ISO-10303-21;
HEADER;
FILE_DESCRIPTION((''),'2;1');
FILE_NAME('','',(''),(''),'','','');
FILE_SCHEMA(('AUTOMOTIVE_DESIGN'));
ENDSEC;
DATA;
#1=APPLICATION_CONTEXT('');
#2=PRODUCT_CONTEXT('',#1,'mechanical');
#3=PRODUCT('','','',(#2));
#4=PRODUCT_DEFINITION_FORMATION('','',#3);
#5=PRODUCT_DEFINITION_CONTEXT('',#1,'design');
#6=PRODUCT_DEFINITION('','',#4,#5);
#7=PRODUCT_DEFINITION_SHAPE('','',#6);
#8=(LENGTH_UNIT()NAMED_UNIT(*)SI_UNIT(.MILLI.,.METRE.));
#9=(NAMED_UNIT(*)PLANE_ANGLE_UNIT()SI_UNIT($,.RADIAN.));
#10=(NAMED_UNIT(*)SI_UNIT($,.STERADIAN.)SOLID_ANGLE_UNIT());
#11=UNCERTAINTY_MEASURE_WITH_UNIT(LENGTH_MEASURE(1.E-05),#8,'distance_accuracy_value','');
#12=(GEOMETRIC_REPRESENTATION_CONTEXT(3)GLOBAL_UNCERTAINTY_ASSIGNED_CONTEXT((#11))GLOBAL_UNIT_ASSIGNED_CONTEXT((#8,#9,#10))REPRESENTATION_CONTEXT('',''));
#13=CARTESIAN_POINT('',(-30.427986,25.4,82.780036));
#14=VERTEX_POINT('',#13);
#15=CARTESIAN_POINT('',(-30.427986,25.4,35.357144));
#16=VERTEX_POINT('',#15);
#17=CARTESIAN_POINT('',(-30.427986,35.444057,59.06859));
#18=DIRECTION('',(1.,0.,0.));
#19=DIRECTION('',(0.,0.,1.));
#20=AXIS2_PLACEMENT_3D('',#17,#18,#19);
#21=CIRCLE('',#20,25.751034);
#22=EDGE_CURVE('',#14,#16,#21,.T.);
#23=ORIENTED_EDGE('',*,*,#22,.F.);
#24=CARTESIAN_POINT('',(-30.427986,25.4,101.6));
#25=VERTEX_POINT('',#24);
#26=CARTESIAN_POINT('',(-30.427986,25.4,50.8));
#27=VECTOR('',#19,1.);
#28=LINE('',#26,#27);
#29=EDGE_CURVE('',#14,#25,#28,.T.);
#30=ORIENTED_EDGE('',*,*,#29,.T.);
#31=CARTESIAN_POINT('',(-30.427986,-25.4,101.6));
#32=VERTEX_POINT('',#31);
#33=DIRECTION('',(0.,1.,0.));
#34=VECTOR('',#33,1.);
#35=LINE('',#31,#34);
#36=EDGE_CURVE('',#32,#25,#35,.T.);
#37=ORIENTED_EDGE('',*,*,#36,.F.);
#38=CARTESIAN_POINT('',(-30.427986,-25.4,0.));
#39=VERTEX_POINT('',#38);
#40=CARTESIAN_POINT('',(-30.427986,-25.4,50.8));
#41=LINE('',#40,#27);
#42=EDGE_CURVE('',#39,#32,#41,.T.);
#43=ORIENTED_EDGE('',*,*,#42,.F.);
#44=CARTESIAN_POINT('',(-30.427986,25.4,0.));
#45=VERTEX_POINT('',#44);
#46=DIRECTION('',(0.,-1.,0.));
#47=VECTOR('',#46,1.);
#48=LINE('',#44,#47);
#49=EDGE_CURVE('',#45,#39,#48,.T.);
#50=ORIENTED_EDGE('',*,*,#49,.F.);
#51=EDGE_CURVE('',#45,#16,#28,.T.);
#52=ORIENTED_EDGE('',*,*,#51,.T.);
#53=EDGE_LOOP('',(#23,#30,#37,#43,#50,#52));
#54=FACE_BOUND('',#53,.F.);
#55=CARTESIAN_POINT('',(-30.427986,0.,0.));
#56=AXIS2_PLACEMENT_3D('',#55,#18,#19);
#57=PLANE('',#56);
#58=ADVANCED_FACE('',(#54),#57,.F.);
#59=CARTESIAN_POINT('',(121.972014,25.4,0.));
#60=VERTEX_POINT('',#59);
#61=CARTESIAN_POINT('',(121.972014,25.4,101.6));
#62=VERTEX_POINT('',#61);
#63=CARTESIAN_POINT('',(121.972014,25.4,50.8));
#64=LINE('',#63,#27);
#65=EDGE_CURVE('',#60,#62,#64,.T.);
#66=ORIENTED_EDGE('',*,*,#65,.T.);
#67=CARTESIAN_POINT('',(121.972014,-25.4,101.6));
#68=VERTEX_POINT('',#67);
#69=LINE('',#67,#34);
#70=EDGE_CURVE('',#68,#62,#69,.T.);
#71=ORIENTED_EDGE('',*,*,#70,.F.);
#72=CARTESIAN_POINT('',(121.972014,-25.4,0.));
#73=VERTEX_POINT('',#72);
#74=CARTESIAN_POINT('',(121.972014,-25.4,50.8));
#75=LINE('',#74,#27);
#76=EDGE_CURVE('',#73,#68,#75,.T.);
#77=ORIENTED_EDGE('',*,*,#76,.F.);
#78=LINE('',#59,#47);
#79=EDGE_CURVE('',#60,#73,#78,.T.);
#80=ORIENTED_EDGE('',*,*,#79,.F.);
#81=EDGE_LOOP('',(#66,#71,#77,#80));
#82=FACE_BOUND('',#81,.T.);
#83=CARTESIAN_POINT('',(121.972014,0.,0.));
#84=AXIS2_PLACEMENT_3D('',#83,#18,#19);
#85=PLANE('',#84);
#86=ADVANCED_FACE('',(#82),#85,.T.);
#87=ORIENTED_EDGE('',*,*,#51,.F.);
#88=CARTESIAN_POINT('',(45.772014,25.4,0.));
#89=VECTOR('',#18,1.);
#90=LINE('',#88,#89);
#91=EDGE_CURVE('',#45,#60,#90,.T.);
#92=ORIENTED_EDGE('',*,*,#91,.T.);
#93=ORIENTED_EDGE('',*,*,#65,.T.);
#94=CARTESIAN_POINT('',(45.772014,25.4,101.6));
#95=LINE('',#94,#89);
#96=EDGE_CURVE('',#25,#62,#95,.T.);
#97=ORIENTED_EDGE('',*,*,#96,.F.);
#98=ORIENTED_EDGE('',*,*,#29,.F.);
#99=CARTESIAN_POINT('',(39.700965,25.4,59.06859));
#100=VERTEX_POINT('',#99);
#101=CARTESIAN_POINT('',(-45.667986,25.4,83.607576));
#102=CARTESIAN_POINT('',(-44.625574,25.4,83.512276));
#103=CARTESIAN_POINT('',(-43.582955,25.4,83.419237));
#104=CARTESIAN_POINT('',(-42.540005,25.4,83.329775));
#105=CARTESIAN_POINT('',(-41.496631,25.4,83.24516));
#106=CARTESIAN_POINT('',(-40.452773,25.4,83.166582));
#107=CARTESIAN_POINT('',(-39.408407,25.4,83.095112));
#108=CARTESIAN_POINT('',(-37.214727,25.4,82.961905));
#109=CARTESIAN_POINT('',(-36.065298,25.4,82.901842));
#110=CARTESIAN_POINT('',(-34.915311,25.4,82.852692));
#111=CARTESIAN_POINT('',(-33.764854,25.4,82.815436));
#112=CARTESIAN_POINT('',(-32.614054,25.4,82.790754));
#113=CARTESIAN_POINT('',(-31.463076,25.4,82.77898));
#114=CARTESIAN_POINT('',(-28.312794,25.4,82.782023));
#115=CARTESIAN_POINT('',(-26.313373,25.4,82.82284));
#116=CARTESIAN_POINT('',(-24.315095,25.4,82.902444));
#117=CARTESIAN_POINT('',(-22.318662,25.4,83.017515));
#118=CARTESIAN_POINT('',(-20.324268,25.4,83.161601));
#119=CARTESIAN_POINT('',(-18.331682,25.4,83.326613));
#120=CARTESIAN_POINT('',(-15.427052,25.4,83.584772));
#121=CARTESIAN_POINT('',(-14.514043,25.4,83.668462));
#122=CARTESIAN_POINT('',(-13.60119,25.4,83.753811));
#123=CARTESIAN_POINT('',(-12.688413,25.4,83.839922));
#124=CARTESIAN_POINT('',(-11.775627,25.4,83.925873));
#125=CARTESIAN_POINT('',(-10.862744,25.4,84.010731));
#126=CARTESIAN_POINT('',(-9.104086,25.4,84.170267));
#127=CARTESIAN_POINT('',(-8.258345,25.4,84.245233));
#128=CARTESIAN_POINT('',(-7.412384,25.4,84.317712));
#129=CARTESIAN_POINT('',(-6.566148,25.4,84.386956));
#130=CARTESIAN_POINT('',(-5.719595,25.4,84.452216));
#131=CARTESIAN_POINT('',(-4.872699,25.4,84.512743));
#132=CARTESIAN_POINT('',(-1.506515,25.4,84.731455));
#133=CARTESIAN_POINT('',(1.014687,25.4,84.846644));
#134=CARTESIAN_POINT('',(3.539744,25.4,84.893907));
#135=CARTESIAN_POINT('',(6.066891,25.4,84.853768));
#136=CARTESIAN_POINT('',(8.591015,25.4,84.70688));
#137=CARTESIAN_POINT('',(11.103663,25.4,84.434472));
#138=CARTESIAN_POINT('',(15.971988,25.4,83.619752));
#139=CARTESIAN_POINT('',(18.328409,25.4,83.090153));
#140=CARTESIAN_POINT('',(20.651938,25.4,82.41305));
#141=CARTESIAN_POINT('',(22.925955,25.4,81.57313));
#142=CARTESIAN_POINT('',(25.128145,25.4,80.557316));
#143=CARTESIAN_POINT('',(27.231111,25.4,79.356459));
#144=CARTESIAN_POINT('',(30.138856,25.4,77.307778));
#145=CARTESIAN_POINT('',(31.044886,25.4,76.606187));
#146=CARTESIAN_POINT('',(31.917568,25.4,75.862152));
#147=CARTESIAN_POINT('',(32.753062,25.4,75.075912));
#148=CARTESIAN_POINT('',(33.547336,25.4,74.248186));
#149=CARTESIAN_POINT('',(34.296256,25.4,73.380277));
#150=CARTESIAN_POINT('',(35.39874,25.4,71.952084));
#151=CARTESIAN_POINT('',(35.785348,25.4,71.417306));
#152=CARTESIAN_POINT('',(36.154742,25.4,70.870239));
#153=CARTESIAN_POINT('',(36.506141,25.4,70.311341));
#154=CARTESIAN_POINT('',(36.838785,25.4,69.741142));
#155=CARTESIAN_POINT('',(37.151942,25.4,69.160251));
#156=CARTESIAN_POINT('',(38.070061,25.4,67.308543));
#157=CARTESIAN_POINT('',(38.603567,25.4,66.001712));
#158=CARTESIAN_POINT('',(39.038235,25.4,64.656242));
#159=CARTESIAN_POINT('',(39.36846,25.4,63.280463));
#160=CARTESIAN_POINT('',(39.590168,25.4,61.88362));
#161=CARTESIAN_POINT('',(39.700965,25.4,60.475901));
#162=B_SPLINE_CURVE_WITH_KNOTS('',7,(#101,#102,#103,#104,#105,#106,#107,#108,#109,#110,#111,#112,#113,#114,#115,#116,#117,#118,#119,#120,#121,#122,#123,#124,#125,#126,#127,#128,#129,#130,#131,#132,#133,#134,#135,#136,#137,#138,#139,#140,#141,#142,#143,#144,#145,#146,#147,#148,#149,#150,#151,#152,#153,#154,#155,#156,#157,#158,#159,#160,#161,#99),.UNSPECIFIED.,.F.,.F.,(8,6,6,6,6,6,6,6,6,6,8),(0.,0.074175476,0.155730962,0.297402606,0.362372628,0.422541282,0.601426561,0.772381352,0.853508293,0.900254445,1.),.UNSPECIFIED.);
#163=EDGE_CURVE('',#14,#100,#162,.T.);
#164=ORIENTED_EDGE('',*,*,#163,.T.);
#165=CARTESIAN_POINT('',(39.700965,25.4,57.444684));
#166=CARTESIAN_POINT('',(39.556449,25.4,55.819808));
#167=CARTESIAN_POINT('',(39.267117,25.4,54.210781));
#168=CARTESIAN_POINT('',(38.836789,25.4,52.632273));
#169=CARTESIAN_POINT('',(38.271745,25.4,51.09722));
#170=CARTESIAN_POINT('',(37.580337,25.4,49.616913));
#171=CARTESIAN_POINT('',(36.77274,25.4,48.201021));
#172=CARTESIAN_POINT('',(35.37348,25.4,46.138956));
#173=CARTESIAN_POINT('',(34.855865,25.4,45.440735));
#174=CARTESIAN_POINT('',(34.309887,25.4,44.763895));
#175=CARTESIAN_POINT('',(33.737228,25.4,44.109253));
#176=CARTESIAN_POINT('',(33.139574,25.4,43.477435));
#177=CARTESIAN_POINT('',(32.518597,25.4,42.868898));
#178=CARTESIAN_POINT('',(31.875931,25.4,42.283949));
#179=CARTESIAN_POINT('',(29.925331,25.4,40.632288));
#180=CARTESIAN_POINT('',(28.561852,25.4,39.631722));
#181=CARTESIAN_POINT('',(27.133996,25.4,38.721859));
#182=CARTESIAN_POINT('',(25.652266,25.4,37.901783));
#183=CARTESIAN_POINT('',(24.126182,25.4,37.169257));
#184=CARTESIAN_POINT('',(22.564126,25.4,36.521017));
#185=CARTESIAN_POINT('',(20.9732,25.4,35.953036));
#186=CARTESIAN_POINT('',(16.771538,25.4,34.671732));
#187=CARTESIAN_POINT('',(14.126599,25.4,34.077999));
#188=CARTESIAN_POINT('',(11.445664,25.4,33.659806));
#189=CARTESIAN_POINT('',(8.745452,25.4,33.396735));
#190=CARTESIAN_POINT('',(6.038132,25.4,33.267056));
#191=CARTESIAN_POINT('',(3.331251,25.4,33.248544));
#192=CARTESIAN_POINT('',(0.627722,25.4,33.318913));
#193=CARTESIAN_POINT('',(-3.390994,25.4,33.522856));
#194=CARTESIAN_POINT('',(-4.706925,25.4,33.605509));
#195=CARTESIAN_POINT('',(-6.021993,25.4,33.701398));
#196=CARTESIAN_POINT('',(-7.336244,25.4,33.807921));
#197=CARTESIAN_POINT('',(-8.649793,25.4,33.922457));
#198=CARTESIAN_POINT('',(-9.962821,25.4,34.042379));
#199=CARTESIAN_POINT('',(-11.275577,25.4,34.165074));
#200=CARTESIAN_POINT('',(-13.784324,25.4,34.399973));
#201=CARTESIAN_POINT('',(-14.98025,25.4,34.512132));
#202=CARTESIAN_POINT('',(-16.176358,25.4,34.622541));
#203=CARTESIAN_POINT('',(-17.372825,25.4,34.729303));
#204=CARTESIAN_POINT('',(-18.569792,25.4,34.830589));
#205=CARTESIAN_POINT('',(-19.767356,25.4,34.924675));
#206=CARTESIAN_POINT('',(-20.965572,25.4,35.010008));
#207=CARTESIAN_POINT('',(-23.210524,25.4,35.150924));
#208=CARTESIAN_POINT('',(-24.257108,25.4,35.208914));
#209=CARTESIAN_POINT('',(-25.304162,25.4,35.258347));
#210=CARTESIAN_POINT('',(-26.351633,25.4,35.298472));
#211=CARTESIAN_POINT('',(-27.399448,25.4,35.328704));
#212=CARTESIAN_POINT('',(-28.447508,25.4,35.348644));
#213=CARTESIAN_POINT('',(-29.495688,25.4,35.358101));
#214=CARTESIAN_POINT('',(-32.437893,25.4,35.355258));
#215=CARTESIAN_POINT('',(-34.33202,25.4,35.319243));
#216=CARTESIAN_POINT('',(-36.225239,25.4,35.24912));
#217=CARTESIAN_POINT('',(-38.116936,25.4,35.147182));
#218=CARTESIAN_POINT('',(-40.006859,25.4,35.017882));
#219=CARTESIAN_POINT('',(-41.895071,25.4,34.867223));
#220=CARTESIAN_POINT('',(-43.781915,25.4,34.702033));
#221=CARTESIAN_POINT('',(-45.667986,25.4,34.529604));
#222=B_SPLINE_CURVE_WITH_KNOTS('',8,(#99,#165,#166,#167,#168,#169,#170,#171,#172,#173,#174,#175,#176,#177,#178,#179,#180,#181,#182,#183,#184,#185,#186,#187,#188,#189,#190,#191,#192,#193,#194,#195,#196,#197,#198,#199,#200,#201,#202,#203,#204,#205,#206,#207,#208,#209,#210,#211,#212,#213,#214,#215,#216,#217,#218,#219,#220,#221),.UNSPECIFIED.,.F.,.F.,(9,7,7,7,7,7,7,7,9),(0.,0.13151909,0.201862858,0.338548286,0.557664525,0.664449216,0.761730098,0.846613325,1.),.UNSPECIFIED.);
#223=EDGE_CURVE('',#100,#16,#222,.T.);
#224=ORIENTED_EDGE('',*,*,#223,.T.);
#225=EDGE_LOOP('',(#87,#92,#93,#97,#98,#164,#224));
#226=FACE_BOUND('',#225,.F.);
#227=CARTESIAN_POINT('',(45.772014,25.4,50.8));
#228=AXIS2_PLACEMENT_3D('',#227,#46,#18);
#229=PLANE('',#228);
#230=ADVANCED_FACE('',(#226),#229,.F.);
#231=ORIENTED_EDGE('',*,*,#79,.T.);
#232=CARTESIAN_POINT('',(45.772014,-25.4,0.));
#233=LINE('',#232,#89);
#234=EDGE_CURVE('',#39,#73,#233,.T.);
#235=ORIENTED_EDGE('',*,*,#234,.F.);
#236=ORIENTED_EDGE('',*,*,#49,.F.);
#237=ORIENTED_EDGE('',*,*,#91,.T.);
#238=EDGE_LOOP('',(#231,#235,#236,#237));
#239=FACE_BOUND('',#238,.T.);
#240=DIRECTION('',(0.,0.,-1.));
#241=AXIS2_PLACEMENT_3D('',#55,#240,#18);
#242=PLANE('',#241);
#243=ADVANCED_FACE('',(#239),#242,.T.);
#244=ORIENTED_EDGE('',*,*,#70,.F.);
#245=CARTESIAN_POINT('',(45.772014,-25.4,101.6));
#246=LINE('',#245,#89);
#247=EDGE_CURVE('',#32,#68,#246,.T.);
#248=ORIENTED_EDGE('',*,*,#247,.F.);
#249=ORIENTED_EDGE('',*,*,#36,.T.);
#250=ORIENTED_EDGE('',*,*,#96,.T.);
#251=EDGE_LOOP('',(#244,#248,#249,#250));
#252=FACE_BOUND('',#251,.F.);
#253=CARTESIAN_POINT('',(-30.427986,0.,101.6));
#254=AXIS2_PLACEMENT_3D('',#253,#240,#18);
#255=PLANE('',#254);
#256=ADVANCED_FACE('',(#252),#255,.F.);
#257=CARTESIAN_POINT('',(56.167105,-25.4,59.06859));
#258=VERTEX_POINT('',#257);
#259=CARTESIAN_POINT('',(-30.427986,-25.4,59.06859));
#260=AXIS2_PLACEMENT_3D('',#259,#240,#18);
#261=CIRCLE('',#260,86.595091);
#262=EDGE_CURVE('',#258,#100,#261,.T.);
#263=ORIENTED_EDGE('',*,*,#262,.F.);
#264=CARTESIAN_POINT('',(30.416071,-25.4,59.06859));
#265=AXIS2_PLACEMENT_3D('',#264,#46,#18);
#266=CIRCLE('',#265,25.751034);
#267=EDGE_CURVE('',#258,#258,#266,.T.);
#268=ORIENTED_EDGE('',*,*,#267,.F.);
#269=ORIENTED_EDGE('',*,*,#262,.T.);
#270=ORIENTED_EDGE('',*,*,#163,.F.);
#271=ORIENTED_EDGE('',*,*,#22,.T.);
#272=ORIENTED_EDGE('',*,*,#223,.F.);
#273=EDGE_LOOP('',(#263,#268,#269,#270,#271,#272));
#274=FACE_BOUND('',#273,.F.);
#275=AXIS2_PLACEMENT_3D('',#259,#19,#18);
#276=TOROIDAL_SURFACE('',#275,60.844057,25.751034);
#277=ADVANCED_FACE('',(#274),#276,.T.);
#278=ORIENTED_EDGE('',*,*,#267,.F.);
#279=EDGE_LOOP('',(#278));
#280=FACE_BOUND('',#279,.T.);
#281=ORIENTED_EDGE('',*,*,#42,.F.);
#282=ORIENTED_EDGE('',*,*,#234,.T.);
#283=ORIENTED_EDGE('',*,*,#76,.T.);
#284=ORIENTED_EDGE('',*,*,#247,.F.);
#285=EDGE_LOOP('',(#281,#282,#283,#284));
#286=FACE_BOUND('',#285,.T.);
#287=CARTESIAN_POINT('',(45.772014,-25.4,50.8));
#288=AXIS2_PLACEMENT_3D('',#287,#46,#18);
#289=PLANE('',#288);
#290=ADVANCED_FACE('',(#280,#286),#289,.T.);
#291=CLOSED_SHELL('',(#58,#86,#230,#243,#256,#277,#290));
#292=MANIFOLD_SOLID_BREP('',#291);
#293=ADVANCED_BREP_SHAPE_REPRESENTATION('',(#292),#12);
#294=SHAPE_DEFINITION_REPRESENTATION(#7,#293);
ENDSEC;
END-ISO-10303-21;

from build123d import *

# Parameters (mm, degrees)
F0_W     = 152.4
F0_H     = 101.6
F1_DEPTH = 25.4
F2_R     = 25.751034


with BuildPart() as f1:
    # F0 (on Front) → F1 (new body, symmetric)
    with BuildSketch(Plane.XZ):
        with Locations((45.772014, 50.8)):
            Rectangle(F0_W, F0_H)
    extrude(amount=F1_DEPTH, both=True)

    # F2 (on face) → F3 (revolve)
    with BuildSketch(Plane.XZ.offset(25.4)):
        with Locations((30.416071, 59.06859)):
            Circle(F2_R)
    revolve(axis=Axis((-30.427986, -25.4, 50.8), (0, 0, -1)))


solid = f1.part
